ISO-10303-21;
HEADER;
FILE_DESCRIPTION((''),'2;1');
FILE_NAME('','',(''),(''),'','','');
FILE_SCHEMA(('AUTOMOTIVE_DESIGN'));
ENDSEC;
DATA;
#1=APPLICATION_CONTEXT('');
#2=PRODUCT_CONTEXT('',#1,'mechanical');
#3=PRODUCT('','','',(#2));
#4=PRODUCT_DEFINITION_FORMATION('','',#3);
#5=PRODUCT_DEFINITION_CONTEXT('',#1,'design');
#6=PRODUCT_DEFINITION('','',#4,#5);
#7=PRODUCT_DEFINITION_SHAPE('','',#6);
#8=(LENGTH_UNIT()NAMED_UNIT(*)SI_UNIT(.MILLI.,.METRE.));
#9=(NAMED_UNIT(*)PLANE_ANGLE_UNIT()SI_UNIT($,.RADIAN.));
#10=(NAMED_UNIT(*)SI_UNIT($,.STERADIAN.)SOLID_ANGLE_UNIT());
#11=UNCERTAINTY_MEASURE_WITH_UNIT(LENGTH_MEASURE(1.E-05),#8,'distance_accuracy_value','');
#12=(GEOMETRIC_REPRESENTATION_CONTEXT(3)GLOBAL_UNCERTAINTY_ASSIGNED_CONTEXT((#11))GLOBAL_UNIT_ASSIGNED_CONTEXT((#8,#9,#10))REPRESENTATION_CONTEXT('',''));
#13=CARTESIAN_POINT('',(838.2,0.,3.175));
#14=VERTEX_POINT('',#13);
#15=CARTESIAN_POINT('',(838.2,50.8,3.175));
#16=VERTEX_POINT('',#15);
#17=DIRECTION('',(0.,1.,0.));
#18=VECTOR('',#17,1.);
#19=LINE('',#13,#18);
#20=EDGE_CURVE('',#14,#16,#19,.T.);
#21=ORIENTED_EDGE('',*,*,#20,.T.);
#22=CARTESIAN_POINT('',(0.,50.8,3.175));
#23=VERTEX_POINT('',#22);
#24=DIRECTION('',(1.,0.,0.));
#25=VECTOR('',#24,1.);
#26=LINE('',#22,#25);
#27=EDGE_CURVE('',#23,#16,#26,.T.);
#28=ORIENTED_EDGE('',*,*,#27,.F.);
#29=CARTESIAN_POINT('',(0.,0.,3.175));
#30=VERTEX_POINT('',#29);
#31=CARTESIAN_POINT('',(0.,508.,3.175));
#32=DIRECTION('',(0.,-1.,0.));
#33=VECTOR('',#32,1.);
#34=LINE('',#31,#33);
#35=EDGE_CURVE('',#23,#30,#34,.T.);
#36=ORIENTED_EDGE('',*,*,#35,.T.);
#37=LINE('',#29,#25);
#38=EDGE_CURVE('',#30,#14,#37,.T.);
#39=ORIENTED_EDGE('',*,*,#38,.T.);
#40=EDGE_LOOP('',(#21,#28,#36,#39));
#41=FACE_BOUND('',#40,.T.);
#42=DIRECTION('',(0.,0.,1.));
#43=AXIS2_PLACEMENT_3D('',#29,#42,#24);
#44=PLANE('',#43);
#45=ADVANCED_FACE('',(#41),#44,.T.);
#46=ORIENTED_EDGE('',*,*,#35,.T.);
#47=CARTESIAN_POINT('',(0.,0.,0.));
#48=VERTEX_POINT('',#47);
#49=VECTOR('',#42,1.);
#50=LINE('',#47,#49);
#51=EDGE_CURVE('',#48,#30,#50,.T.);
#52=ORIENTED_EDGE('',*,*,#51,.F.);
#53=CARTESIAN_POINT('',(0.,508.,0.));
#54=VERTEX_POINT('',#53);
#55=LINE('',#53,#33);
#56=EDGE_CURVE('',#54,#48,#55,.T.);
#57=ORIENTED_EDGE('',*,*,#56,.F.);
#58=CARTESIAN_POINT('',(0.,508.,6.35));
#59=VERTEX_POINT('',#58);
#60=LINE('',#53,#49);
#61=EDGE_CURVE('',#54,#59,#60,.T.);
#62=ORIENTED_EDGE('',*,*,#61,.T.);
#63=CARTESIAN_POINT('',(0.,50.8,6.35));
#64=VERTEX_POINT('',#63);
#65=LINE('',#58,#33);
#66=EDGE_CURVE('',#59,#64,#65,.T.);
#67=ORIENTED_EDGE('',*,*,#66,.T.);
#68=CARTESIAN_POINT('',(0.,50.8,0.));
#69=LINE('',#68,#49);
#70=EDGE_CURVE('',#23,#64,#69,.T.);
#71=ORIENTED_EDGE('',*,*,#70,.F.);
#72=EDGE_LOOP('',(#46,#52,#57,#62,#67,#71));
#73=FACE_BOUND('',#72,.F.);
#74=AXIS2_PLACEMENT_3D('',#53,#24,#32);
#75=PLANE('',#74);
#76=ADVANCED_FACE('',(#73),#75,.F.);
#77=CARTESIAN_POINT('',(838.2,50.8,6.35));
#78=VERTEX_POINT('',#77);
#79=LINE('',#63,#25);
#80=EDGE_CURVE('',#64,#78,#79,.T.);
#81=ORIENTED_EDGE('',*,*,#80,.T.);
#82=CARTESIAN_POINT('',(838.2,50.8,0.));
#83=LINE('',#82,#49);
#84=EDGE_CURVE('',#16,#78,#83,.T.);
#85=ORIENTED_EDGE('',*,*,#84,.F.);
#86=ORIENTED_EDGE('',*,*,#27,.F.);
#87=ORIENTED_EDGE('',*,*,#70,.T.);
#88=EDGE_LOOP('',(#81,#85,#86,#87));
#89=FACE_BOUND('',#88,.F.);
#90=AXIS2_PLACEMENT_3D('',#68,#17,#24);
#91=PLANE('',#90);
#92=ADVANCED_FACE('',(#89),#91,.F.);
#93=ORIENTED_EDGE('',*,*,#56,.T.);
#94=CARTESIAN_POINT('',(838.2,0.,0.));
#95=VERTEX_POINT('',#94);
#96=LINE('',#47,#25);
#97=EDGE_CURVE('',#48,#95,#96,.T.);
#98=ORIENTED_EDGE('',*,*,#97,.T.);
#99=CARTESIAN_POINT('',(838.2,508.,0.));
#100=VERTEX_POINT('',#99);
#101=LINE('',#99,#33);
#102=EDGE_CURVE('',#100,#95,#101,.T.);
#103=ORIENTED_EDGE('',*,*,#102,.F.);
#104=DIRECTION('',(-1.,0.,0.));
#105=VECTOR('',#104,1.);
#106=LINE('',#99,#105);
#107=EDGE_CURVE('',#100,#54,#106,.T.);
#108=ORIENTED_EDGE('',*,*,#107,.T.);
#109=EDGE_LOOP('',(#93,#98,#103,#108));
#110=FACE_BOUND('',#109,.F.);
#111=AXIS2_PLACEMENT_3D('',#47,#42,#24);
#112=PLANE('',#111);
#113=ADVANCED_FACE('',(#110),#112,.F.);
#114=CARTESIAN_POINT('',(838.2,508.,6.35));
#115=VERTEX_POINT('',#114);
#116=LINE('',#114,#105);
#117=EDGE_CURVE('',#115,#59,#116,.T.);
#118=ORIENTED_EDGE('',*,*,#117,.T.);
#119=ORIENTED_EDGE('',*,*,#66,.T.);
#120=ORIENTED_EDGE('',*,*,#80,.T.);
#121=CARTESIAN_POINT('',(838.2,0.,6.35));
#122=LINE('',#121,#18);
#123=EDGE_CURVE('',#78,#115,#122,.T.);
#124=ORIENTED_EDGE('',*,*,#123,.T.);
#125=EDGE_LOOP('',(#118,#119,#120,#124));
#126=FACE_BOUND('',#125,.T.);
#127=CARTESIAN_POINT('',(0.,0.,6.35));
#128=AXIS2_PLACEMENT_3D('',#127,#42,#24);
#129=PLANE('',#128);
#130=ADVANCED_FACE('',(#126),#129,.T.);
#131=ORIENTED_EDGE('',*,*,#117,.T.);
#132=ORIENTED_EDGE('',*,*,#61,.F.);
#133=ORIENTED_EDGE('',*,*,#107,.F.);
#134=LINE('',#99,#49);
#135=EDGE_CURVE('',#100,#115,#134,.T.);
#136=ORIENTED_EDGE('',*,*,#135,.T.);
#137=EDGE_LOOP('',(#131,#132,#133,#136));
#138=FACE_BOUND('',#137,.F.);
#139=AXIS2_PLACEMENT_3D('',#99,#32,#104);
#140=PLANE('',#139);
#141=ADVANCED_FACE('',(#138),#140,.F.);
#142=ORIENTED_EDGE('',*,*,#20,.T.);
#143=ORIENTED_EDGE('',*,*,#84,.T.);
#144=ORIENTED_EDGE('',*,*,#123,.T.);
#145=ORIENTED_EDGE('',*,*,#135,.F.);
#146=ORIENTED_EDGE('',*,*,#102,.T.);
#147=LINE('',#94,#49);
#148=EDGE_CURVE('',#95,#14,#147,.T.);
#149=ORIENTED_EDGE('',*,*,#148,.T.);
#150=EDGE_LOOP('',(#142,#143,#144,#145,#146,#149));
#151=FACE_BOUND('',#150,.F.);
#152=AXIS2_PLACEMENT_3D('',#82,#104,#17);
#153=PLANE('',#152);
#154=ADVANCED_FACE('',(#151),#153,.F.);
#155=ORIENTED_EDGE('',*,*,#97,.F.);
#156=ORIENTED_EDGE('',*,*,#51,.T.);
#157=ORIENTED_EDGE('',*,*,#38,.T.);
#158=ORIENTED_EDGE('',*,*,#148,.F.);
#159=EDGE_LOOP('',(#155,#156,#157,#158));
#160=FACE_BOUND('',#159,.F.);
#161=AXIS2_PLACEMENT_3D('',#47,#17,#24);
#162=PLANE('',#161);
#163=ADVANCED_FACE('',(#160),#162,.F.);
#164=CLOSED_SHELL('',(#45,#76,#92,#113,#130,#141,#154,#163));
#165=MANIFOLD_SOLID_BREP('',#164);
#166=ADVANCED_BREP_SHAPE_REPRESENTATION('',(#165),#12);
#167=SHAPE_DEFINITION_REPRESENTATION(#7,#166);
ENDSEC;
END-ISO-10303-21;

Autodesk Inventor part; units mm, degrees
ref_plane "YZ Plane" through (0, 0, 0) normal (1, 0, 0) x (0, 1, 0)
ref_plane "XZ Plane" through (0, 0, 0) normal (0, 1, 0) x (-1, 0, 0)
ref_plane "XY Plane" through (0, 0, 0) normal (0, 0, 1) x (1, 0, 0)
sketch "Sketch1" plane through (0, 0, 0) normal (0, 0, 1) x (1, 0, 0)
  line L0 (0, 0) -> (838.2, 0)
  line L1 (838.2, 0) -> (838.2, 508)
  line L2 (838.2, 508) -> (0, 508)
  line L3 (0, 508) -> (0, 0)
  line L4 (0, 50.8) -> (838.2, 50.8)
  dimension "d0" = 508
  dimension "d1" = 838.2
  dimension "d2" = 50.8
extrude "Extrusion1" add sketch "Sketch1" along normal blind 6.35 contours L3 L2 L1 L4
extrude "Extrusion2" add sketch "Sketch1" along normal blind 3.175 contours L3 L4 L1 L0
properties part number "manipulator top"
